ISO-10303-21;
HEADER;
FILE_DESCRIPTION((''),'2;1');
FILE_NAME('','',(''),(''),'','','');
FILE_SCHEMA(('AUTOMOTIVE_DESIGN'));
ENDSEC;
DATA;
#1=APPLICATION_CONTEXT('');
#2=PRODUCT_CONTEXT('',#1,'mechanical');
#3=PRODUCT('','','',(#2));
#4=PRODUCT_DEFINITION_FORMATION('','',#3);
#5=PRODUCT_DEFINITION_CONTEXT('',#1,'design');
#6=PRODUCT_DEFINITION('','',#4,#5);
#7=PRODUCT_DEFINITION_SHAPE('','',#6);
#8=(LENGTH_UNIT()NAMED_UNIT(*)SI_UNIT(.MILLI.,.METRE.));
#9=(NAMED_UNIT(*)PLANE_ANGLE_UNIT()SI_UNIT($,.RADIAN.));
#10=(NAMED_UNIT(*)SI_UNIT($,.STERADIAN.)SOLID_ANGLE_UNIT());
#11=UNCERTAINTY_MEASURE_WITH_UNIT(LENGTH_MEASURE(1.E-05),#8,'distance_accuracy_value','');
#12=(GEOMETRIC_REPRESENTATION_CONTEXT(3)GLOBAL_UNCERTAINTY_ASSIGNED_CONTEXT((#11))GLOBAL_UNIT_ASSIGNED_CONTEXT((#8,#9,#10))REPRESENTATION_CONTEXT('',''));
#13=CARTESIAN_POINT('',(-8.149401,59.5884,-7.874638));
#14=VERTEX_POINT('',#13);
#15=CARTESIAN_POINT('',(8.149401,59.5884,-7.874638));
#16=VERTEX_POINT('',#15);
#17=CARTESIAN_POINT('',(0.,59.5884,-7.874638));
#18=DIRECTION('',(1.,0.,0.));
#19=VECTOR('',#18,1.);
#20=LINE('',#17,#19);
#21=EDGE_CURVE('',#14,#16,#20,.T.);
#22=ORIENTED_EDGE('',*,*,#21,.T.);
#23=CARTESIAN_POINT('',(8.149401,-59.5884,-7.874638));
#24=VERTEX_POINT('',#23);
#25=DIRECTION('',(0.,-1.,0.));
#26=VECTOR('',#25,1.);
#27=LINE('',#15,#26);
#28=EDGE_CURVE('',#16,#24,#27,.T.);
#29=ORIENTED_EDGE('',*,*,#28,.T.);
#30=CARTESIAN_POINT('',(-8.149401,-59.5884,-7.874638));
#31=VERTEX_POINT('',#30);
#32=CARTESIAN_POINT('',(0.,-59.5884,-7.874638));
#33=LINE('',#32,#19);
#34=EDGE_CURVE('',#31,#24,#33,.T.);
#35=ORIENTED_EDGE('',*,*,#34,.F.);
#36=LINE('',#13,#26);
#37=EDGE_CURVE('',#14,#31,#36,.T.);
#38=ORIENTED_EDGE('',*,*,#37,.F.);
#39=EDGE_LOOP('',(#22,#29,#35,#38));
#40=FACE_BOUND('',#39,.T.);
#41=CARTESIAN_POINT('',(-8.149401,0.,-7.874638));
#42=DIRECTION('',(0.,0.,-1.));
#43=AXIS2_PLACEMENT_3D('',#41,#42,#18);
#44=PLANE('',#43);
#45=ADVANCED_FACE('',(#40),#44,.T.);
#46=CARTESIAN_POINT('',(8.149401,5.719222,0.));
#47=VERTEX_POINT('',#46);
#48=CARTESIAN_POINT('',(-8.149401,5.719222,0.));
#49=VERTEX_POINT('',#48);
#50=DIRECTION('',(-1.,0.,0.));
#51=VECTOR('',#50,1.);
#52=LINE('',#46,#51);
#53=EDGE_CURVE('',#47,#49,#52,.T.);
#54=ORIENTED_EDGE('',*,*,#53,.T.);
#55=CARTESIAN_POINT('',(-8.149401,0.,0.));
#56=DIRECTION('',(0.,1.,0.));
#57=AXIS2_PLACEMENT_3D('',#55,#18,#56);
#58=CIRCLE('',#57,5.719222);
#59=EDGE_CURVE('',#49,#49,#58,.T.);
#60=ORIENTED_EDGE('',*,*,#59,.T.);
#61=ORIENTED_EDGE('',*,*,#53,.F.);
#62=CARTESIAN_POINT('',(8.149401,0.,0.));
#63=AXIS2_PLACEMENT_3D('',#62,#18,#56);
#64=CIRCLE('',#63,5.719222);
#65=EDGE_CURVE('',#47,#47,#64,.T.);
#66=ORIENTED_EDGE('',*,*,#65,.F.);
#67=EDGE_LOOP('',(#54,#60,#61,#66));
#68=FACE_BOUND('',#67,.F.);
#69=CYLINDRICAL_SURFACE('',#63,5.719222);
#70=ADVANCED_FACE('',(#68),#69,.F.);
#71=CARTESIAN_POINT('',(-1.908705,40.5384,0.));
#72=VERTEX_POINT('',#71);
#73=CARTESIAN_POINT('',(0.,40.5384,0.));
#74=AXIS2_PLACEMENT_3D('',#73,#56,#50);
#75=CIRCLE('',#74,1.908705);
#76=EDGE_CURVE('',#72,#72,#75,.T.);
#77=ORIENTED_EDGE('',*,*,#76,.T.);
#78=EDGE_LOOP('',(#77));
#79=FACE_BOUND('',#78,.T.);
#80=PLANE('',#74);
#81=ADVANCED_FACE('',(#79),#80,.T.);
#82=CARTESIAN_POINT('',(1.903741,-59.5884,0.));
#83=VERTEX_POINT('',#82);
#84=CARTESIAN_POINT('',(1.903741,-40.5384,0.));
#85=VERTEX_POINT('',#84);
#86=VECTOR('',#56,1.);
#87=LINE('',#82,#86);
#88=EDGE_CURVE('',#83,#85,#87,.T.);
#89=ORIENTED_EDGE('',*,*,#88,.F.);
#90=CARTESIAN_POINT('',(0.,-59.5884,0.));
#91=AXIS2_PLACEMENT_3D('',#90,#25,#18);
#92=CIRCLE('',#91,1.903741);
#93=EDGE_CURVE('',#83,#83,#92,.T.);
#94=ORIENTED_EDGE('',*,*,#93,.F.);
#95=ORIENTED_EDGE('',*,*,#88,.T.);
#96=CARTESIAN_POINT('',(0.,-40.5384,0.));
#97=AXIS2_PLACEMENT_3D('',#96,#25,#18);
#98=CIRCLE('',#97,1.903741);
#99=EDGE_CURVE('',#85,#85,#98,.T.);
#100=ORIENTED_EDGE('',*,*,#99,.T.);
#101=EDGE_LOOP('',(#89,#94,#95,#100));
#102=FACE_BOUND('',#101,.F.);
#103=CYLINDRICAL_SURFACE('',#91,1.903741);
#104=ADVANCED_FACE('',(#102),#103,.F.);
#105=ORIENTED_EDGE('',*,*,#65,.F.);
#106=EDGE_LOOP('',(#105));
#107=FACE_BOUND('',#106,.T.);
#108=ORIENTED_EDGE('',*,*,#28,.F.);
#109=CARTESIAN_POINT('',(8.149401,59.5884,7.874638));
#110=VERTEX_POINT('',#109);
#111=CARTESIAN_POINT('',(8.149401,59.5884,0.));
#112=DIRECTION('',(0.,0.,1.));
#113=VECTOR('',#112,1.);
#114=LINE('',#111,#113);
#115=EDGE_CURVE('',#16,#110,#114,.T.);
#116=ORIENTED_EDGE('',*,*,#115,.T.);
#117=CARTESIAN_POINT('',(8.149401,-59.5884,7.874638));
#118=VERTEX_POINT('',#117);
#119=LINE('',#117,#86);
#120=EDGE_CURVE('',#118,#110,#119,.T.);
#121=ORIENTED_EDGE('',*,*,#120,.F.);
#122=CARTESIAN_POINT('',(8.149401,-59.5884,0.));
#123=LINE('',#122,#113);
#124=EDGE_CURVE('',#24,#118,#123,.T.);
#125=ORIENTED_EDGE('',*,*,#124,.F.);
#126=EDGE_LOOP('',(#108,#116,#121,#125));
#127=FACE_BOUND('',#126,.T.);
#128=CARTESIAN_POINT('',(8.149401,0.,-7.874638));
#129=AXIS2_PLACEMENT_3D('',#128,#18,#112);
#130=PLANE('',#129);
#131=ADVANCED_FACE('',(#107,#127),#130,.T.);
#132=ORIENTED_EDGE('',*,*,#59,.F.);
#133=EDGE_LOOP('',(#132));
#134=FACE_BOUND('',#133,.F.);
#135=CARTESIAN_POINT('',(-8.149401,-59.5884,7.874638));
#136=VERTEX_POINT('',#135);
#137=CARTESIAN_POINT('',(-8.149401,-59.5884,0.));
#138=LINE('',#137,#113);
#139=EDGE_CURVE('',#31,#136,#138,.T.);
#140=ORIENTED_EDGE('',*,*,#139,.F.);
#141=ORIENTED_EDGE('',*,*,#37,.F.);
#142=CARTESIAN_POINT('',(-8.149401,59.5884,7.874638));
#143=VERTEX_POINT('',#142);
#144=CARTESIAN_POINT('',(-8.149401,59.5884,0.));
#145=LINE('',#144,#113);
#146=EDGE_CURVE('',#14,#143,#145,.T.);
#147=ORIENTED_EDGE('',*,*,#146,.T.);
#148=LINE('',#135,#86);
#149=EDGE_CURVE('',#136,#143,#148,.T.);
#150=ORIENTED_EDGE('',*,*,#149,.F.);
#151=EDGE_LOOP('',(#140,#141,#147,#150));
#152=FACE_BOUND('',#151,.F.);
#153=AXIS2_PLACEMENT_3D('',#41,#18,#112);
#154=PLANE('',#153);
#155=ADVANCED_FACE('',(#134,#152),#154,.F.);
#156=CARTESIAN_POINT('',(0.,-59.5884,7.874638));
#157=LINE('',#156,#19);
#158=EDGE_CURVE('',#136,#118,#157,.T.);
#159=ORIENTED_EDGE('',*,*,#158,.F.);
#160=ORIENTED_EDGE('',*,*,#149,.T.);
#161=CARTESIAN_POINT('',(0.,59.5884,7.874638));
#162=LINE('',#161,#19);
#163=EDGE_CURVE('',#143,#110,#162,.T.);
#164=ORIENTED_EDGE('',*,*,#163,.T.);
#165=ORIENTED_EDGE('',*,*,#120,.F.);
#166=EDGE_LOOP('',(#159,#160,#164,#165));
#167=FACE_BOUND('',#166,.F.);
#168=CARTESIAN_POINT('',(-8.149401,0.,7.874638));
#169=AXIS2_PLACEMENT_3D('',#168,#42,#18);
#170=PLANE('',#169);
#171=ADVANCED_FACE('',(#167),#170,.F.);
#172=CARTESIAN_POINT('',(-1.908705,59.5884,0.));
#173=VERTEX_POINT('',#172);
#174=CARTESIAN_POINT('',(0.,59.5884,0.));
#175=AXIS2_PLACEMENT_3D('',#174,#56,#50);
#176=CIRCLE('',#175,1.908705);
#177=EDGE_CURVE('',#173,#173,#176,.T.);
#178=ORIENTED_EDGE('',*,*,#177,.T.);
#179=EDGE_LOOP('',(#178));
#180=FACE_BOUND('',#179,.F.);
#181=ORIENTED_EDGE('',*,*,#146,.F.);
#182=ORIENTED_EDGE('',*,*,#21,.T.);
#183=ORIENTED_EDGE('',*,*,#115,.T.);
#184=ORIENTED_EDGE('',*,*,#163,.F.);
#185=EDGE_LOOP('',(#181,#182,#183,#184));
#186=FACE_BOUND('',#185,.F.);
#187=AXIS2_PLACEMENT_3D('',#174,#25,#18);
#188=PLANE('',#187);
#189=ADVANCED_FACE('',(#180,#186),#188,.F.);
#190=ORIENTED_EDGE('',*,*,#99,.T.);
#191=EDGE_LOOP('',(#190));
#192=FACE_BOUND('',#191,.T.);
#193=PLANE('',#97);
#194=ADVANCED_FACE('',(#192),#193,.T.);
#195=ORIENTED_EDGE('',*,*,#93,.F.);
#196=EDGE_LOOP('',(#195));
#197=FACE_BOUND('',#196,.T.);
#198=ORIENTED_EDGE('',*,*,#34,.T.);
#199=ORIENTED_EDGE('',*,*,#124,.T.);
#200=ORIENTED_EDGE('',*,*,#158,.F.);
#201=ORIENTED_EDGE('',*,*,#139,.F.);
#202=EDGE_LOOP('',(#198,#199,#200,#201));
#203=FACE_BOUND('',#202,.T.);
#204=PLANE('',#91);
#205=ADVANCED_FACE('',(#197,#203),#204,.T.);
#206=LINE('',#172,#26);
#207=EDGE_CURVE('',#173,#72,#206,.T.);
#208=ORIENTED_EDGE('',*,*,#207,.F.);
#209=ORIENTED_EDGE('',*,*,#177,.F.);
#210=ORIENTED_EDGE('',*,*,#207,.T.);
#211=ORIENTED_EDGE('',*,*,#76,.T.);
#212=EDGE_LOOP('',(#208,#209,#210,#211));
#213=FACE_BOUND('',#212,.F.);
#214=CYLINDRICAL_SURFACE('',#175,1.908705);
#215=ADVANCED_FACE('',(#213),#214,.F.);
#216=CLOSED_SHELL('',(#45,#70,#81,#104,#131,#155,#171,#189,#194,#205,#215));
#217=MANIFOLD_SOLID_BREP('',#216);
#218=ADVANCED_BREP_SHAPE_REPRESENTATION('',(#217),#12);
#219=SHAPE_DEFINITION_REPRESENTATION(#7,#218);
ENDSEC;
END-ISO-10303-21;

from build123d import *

# Parameters (mm, degrees)
F0_W          = 16.298802
F0_H          = 15.749276
F1_DEPTH      = 59.5884
F1_DEPTH_BACK = 59.5884
F2_R          = 5.719222
F3_DEPTH      = 18.542
F4_R          = 1.903741
F5_DEPTH      = 19.05
F6_R          = 1.908705
F7_DEPTH      = 19.05


with BuildPart() as f1:
    # F0 (on Front) → F1 (new body, two sides)
    with BuildSketch(Plane.XZ) as f1_sk:
        Rectangle(F0_W, F0_H)
    extrude(amount=F1_DEPTH)
    extrude(f1_sk.sketch, amount=-F1_DEPTH_BACK)

    # F2 (on face) → F3 (cut)
    with BuildSketch(Plane.YZ.offset(8.149401)):
        Circle(F2_R)
    extrude(amount=-F3_DEPTH, mode=Mode.SUBTRACT)

    # F4 (on face) → F5 (cut)
    with BuildSketch(Plane.XZ.offset(59.5884)):
        Circle(F4_R)
    extrude(amount=-F5_DEPTH, mode=Mode.SUBTRACT)

    # F6 (on face) → F7 (cut)
    with BuildSketch(Plane(origin=(0, 59.5884, 0), x_dir=(-1, 0, 0), z_dir=(0, 1, 0))):
        Circle(F6_R)
    extrude(amount=-F7_DEPTH, mode=Mode.SUBTRACT)


solid = f1.part
